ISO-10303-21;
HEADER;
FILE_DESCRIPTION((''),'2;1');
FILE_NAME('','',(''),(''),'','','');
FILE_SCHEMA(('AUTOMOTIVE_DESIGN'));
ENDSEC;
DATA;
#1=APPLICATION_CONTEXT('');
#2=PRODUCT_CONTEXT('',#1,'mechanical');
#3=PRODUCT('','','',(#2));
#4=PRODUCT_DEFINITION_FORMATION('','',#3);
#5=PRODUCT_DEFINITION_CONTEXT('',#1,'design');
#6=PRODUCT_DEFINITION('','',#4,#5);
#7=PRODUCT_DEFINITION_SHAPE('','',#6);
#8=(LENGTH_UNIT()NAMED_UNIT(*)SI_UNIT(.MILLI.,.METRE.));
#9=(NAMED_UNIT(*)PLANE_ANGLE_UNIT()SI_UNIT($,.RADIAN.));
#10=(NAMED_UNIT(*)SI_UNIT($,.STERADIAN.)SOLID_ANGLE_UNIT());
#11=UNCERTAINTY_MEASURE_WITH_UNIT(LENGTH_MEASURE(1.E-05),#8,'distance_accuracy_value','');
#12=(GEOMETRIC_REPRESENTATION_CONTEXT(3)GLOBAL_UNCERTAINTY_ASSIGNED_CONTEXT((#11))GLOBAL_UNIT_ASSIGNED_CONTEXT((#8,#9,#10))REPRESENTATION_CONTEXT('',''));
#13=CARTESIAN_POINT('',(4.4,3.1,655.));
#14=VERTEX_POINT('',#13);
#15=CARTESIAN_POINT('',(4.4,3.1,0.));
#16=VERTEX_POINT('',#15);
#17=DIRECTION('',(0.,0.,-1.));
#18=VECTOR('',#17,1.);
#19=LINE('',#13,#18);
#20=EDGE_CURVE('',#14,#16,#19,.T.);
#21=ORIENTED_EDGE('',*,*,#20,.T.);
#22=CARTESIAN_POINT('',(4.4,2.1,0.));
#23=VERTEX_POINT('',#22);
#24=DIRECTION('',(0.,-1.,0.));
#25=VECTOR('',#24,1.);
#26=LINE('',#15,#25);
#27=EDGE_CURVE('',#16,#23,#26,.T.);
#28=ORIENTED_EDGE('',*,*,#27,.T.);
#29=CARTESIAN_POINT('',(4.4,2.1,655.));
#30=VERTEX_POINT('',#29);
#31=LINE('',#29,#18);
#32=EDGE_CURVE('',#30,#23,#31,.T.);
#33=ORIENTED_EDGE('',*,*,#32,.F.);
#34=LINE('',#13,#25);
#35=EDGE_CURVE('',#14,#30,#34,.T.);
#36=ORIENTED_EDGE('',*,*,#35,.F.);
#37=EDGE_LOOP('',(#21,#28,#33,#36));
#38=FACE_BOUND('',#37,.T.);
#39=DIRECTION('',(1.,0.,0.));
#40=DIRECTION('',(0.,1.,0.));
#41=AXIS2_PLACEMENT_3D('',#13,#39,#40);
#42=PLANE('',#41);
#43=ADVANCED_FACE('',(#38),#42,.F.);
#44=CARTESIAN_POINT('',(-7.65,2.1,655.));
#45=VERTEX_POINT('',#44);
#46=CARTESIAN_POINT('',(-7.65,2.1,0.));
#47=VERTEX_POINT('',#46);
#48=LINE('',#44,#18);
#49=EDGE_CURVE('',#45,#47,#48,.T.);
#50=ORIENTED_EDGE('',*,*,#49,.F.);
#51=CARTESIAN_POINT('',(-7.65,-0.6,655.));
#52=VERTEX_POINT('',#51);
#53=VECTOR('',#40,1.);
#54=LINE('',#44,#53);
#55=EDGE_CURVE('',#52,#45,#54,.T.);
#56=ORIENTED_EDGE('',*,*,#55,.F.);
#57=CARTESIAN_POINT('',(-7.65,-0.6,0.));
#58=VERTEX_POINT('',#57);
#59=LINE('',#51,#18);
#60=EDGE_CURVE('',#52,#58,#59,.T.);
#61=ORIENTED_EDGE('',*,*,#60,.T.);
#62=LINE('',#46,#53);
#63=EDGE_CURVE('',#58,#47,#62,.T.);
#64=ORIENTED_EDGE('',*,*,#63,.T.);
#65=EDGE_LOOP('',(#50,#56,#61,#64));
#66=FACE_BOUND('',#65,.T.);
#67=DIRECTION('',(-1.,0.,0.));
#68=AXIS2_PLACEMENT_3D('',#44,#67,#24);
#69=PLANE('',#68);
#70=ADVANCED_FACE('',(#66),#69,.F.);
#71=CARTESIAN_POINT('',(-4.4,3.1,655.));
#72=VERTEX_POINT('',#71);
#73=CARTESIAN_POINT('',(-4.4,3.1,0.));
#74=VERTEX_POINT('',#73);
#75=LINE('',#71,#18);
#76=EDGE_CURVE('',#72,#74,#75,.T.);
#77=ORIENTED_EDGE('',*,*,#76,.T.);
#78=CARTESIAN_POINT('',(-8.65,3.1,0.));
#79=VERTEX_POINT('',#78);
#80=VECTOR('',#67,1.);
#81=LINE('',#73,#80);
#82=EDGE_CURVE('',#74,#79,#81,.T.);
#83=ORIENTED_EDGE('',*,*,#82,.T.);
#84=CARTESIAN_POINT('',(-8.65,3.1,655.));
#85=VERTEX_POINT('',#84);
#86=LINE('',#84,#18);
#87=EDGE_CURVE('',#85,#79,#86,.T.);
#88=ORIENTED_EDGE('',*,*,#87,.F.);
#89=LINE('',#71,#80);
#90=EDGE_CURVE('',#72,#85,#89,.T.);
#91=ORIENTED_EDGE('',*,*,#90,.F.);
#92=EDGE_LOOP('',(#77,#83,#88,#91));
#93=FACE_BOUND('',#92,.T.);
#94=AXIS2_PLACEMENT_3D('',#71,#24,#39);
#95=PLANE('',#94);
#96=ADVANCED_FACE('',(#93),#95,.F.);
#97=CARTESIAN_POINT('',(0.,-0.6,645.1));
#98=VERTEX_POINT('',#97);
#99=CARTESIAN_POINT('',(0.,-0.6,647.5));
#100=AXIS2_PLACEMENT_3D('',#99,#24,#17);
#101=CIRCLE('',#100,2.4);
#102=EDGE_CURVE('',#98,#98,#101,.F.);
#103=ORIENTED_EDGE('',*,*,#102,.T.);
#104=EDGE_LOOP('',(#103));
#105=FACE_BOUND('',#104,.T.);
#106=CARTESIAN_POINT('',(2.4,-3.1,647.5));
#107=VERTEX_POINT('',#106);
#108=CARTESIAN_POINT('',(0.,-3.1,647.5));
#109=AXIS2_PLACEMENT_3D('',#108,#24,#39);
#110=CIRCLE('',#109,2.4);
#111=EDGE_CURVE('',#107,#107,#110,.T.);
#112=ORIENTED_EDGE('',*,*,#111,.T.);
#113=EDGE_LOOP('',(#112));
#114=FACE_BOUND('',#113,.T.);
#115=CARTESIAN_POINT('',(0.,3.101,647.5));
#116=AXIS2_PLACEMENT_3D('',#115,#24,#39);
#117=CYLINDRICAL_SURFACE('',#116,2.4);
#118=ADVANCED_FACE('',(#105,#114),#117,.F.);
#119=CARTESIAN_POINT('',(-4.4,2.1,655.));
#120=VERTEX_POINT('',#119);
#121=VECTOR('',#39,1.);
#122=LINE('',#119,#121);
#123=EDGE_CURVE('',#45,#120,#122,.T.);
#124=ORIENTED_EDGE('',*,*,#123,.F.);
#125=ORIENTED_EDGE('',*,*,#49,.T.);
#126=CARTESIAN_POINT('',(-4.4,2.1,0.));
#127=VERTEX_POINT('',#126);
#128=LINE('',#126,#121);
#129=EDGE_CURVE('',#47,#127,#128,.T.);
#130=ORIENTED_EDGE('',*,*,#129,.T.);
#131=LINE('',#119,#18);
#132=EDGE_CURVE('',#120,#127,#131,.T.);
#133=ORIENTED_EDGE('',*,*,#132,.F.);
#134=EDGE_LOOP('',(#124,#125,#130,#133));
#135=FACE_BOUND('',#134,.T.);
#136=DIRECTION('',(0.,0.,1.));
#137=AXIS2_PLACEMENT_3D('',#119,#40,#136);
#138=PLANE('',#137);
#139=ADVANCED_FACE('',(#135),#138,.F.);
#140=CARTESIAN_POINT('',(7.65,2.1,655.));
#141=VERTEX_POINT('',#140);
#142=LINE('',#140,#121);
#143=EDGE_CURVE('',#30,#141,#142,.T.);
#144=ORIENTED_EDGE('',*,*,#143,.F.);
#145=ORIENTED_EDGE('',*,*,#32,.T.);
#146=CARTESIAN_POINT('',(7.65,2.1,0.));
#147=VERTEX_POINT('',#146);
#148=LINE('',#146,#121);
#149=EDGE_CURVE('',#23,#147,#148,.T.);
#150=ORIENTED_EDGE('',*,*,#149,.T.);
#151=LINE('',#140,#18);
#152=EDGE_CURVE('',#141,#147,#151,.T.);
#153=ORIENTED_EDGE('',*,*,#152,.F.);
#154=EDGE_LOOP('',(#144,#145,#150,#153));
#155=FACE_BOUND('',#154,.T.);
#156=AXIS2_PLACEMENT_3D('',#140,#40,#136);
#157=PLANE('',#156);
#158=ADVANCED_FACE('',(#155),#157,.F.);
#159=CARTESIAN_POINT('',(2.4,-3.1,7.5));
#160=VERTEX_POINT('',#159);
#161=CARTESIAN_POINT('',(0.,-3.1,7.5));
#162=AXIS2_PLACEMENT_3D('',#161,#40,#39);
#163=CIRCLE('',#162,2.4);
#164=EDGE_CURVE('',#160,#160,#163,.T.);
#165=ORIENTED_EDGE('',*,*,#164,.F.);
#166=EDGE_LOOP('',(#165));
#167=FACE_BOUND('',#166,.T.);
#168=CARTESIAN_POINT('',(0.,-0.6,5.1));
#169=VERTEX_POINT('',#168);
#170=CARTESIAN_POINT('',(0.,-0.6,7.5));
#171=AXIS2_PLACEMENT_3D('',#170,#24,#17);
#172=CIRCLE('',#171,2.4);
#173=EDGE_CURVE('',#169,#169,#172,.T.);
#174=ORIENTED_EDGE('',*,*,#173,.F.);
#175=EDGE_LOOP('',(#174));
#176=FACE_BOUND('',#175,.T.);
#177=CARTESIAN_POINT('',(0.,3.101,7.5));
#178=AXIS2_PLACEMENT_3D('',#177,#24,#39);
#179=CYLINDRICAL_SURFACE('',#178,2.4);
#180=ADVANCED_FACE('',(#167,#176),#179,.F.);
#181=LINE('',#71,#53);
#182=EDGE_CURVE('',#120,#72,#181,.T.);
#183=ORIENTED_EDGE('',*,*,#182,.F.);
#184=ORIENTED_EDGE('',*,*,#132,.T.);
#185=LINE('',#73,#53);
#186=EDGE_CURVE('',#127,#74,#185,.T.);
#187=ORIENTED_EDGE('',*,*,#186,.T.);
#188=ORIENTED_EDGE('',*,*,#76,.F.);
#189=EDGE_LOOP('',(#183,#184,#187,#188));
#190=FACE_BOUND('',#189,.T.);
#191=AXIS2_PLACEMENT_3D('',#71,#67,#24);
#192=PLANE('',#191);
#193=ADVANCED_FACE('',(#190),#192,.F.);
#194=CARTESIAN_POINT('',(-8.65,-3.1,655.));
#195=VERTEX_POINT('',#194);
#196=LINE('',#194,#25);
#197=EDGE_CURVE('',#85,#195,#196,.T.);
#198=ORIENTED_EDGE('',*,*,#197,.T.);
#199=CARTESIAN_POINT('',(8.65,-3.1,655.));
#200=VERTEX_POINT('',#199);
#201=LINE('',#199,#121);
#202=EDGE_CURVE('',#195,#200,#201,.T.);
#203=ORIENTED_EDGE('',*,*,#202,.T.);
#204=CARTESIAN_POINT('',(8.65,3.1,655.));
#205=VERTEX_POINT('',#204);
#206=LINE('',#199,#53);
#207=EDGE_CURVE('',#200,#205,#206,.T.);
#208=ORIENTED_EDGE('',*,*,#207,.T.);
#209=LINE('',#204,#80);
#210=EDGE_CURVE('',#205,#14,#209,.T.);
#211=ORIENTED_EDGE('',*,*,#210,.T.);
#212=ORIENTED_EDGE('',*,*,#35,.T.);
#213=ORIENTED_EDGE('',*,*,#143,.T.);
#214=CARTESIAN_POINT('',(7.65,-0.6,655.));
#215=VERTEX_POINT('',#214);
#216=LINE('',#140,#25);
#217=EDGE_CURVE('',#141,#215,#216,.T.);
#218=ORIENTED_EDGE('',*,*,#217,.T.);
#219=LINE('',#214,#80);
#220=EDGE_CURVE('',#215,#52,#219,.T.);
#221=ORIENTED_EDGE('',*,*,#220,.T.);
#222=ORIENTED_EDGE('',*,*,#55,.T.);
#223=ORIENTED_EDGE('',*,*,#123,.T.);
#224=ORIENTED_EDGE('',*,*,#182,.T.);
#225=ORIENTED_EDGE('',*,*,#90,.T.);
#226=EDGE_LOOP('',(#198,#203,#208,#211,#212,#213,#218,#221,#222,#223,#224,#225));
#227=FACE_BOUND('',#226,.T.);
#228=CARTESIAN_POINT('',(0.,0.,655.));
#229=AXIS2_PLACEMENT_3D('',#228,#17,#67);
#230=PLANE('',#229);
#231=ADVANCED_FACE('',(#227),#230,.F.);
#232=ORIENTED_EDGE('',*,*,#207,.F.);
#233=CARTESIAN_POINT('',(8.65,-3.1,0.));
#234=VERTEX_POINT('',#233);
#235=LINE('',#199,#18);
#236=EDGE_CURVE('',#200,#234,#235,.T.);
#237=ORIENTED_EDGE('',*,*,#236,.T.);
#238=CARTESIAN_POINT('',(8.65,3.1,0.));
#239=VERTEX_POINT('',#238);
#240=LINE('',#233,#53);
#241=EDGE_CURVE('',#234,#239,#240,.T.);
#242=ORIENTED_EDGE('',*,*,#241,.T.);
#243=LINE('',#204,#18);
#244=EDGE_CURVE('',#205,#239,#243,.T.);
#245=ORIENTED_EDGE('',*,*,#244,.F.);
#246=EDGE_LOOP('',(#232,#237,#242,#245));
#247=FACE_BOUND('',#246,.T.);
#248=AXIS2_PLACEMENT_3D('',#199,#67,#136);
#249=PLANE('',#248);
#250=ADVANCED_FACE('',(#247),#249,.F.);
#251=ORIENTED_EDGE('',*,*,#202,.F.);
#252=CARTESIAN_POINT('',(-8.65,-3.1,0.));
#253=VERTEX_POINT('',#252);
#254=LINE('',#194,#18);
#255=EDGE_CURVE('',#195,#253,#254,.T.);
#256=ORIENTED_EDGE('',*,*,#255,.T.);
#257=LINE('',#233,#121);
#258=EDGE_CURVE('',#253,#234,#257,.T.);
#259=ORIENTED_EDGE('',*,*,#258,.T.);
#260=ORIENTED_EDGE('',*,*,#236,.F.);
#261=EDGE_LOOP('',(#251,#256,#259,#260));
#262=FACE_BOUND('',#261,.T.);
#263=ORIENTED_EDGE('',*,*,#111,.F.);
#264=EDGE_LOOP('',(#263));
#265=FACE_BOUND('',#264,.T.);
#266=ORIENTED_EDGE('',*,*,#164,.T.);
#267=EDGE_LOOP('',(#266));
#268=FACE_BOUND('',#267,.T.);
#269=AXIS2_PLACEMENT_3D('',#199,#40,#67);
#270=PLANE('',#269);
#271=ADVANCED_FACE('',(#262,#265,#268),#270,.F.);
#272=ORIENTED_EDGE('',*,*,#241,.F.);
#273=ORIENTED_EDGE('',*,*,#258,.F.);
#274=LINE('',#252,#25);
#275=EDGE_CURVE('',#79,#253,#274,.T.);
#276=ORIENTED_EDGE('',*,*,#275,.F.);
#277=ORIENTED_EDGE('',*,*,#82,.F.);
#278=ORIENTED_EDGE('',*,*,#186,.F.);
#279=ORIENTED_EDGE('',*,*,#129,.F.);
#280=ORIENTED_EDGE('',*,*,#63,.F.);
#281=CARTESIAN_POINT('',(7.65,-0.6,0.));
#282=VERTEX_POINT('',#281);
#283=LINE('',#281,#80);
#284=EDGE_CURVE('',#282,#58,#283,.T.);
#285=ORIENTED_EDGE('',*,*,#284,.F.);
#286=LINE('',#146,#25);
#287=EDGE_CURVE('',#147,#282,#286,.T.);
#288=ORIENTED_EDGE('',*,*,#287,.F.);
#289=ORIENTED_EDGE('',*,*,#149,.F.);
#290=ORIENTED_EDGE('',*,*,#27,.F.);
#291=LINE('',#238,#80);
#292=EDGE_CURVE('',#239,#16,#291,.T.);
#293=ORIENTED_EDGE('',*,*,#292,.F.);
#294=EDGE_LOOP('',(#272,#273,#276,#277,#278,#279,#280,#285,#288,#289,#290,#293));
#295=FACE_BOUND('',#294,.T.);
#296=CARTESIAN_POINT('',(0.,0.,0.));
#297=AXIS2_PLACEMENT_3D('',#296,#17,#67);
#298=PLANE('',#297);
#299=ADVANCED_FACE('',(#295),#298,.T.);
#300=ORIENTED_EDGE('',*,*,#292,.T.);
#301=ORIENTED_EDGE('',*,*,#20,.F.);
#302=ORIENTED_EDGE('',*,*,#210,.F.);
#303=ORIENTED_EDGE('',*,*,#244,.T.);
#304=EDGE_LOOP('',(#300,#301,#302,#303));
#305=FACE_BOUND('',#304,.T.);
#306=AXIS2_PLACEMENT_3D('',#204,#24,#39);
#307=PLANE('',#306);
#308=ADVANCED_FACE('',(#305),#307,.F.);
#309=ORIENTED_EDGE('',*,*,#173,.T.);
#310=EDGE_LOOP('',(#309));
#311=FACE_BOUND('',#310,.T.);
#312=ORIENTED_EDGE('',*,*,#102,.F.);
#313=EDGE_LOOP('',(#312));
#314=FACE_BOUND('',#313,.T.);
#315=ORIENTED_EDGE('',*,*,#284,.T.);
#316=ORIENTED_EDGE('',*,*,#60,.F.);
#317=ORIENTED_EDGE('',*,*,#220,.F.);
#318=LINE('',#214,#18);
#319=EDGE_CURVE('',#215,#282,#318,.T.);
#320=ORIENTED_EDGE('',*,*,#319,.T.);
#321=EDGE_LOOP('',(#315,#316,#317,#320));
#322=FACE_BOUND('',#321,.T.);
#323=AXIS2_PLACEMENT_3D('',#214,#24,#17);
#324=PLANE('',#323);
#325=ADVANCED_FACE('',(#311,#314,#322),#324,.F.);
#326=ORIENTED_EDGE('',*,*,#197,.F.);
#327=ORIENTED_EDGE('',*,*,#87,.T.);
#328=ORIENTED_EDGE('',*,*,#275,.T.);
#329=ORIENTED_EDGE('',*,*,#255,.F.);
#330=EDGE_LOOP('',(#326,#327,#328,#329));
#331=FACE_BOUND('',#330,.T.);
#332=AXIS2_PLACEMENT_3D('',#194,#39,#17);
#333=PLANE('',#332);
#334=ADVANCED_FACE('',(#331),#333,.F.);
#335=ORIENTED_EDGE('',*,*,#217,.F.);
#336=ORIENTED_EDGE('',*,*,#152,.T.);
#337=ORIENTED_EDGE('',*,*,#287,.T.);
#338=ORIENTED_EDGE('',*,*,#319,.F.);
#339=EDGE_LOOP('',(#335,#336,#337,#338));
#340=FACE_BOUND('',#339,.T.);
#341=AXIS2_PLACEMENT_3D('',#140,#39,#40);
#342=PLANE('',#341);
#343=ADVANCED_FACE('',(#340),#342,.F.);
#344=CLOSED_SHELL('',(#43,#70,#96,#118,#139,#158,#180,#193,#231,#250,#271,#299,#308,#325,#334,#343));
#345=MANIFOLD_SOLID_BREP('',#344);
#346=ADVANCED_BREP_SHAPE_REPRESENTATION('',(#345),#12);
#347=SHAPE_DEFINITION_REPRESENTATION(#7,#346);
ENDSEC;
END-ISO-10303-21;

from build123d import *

# Parameters (mm, degrees)
EXTRUDE_1_DEPTH     = 655
CUT_EXTRUDE_1_REACH = 657.086
SKETCH_2_R          = 2.4


with BuildPart() as part:
    # ｽｹｯﾁ1 → ﾎﾞｽ - 押し出し1 (new body)
    with BuildSketch(Plane.XY):
        Polygon((-4.4, 3.1), (-4.4, 2.1), (-7.65, 2.1), (-7.65, -0.6), (7.65, -0.6), (7.65, 2.1), (4.4, 2.1), (4.4, 3.1), (8.65, 3.1), (8.65, -3.1), (-8.65, -3.1), (-8.65, 3.1), align=None)
    extrude(amount=EXTRUDE_1_DEPTH)

    # ｽｹｯﾁ2 → ｶｯﾄ - 押し出し1 (cut, up to next)
    with BuildSketch(Plane(origin=(0, -3.1, 0), x_dir=(-1, 0, 0), z_dir=(0, -1, 0)), mode=Mode.PRIVATE) as cut_extrude_1_sk1:
        with Locations(Location((0, -647.5, 0), (0, 0, 180))):
            Circle(SKETCH_2_R)
    cut_extrude_1_tool1 = extrude(cut_extrude_1_sk1.sketch, amount=-CUT_EXTRUDE_1_REACH, mode=Mode.PRIVATE) & part.part
    cut_extrude_1 = cut_extrude_1_tool1.solids().sort_by_distance((0, -3.1, 647.5))[0]
    add(cut_extrude_1, mode=Mode.SUBTRACT)

    # ﾐﾗｰ1: ｶｯﾄ - 押し出し1 across plane
    add(cut_extrude_1.mirror(Plane.XY.offset(327.5)), mode=Mode.SUBTRACT)


solid = part.part
